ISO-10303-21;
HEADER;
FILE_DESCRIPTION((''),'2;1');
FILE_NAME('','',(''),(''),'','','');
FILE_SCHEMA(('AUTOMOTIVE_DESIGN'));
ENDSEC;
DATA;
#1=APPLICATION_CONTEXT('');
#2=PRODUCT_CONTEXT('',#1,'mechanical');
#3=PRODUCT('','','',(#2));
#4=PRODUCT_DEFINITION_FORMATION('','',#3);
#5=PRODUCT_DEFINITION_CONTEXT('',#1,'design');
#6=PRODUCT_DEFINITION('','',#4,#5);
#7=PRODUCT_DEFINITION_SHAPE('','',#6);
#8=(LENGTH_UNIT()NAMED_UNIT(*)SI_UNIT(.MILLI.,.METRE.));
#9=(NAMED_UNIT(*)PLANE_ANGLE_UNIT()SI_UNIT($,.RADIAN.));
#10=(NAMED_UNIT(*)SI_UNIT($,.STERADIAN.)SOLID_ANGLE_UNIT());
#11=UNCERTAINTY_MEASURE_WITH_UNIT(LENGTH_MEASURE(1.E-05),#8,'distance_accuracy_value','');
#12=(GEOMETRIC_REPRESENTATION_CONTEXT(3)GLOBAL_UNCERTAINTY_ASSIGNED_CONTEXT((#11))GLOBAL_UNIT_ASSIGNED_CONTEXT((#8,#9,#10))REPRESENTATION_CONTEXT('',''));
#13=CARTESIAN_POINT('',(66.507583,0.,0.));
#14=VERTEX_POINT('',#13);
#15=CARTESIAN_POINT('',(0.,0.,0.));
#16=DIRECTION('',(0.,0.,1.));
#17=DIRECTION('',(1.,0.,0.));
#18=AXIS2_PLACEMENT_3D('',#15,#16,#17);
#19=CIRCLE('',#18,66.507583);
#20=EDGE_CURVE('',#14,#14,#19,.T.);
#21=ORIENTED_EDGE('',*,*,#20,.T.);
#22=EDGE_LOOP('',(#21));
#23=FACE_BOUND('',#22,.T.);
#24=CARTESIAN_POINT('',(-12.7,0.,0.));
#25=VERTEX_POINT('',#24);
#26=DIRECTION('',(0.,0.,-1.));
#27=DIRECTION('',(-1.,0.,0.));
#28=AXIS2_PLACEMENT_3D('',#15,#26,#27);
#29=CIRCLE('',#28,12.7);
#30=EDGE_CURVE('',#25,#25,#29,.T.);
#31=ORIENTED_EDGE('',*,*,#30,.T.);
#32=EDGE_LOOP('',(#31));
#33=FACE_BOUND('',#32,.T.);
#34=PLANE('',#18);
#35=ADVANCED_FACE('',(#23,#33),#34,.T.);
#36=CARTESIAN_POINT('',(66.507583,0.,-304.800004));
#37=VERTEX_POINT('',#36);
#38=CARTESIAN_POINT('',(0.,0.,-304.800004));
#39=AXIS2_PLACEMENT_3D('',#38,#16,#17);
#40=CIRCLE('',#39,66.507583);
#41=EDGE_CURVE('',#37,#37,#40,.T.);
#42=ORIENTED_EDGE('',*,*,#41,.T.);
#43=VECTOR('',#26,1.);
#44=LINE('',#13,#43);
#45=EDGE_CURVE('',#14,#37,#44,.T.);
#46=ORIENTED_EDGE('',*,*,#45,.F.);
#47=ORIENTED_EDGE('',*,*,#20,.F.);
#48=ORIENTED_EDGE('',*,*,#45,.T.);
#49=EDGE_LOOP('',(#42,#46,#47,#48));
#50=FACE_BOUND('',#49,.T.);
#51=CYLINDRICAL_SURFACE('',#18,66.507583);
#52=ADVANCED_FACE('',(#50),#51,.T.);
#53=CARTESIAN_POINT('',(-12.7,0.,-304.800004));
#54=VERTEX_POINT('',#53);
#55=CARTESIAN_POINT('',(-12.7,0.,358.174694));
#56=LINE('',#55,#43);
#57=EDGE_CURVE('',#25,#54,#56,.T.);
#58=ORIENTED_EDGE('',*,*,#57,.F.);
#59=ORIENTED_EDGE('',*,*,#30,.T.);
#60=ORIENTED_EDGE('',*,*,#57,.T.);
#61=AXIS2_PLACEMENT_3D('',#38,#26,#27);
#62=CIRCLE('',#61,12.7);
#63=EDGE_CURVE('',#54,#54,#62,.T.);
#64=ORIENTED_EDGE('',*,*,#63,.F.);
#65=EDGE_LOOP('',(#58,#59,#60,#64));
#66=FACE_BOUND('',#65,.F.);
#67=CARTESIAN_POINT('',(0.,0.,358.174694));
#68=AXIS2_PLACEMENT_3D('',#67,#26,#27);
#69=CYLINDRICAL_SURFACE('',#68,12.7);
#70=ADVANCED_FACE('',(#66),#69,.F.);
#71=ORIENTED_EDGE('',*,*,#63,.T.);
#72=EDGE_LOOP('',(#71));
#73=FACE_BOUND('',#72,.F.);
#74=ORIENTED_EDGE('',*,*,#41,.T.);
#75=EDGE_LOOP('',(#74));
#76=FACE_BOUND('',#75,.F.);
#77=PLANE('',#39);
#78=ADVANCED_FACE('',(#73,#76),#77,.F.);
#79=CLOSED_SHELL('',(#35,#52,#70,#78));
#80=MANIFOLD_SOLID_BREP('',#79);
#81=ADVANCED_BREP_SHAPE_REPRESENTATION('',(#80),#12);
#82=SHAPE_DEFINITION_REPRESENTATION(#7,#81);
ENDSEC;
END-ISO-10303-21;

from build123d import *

# Parameters (mm, degrees)
F0_R     = 66.507583
F1_DEPTH = 304.800004
F2_D     = 25.4


with BuildPart() as f1:
    # F0 (on Top) → F1 (new body)
    with BuildSketch(Plane.XY):
        Circle(F0_R)
    extrude(amount=-F1_DEPTH)

    # F2 (through all)
    with Locations(Plane.XY):
        with Locations((0, 0)):
            Hole(F2_D / 2)


solid = f1.part
